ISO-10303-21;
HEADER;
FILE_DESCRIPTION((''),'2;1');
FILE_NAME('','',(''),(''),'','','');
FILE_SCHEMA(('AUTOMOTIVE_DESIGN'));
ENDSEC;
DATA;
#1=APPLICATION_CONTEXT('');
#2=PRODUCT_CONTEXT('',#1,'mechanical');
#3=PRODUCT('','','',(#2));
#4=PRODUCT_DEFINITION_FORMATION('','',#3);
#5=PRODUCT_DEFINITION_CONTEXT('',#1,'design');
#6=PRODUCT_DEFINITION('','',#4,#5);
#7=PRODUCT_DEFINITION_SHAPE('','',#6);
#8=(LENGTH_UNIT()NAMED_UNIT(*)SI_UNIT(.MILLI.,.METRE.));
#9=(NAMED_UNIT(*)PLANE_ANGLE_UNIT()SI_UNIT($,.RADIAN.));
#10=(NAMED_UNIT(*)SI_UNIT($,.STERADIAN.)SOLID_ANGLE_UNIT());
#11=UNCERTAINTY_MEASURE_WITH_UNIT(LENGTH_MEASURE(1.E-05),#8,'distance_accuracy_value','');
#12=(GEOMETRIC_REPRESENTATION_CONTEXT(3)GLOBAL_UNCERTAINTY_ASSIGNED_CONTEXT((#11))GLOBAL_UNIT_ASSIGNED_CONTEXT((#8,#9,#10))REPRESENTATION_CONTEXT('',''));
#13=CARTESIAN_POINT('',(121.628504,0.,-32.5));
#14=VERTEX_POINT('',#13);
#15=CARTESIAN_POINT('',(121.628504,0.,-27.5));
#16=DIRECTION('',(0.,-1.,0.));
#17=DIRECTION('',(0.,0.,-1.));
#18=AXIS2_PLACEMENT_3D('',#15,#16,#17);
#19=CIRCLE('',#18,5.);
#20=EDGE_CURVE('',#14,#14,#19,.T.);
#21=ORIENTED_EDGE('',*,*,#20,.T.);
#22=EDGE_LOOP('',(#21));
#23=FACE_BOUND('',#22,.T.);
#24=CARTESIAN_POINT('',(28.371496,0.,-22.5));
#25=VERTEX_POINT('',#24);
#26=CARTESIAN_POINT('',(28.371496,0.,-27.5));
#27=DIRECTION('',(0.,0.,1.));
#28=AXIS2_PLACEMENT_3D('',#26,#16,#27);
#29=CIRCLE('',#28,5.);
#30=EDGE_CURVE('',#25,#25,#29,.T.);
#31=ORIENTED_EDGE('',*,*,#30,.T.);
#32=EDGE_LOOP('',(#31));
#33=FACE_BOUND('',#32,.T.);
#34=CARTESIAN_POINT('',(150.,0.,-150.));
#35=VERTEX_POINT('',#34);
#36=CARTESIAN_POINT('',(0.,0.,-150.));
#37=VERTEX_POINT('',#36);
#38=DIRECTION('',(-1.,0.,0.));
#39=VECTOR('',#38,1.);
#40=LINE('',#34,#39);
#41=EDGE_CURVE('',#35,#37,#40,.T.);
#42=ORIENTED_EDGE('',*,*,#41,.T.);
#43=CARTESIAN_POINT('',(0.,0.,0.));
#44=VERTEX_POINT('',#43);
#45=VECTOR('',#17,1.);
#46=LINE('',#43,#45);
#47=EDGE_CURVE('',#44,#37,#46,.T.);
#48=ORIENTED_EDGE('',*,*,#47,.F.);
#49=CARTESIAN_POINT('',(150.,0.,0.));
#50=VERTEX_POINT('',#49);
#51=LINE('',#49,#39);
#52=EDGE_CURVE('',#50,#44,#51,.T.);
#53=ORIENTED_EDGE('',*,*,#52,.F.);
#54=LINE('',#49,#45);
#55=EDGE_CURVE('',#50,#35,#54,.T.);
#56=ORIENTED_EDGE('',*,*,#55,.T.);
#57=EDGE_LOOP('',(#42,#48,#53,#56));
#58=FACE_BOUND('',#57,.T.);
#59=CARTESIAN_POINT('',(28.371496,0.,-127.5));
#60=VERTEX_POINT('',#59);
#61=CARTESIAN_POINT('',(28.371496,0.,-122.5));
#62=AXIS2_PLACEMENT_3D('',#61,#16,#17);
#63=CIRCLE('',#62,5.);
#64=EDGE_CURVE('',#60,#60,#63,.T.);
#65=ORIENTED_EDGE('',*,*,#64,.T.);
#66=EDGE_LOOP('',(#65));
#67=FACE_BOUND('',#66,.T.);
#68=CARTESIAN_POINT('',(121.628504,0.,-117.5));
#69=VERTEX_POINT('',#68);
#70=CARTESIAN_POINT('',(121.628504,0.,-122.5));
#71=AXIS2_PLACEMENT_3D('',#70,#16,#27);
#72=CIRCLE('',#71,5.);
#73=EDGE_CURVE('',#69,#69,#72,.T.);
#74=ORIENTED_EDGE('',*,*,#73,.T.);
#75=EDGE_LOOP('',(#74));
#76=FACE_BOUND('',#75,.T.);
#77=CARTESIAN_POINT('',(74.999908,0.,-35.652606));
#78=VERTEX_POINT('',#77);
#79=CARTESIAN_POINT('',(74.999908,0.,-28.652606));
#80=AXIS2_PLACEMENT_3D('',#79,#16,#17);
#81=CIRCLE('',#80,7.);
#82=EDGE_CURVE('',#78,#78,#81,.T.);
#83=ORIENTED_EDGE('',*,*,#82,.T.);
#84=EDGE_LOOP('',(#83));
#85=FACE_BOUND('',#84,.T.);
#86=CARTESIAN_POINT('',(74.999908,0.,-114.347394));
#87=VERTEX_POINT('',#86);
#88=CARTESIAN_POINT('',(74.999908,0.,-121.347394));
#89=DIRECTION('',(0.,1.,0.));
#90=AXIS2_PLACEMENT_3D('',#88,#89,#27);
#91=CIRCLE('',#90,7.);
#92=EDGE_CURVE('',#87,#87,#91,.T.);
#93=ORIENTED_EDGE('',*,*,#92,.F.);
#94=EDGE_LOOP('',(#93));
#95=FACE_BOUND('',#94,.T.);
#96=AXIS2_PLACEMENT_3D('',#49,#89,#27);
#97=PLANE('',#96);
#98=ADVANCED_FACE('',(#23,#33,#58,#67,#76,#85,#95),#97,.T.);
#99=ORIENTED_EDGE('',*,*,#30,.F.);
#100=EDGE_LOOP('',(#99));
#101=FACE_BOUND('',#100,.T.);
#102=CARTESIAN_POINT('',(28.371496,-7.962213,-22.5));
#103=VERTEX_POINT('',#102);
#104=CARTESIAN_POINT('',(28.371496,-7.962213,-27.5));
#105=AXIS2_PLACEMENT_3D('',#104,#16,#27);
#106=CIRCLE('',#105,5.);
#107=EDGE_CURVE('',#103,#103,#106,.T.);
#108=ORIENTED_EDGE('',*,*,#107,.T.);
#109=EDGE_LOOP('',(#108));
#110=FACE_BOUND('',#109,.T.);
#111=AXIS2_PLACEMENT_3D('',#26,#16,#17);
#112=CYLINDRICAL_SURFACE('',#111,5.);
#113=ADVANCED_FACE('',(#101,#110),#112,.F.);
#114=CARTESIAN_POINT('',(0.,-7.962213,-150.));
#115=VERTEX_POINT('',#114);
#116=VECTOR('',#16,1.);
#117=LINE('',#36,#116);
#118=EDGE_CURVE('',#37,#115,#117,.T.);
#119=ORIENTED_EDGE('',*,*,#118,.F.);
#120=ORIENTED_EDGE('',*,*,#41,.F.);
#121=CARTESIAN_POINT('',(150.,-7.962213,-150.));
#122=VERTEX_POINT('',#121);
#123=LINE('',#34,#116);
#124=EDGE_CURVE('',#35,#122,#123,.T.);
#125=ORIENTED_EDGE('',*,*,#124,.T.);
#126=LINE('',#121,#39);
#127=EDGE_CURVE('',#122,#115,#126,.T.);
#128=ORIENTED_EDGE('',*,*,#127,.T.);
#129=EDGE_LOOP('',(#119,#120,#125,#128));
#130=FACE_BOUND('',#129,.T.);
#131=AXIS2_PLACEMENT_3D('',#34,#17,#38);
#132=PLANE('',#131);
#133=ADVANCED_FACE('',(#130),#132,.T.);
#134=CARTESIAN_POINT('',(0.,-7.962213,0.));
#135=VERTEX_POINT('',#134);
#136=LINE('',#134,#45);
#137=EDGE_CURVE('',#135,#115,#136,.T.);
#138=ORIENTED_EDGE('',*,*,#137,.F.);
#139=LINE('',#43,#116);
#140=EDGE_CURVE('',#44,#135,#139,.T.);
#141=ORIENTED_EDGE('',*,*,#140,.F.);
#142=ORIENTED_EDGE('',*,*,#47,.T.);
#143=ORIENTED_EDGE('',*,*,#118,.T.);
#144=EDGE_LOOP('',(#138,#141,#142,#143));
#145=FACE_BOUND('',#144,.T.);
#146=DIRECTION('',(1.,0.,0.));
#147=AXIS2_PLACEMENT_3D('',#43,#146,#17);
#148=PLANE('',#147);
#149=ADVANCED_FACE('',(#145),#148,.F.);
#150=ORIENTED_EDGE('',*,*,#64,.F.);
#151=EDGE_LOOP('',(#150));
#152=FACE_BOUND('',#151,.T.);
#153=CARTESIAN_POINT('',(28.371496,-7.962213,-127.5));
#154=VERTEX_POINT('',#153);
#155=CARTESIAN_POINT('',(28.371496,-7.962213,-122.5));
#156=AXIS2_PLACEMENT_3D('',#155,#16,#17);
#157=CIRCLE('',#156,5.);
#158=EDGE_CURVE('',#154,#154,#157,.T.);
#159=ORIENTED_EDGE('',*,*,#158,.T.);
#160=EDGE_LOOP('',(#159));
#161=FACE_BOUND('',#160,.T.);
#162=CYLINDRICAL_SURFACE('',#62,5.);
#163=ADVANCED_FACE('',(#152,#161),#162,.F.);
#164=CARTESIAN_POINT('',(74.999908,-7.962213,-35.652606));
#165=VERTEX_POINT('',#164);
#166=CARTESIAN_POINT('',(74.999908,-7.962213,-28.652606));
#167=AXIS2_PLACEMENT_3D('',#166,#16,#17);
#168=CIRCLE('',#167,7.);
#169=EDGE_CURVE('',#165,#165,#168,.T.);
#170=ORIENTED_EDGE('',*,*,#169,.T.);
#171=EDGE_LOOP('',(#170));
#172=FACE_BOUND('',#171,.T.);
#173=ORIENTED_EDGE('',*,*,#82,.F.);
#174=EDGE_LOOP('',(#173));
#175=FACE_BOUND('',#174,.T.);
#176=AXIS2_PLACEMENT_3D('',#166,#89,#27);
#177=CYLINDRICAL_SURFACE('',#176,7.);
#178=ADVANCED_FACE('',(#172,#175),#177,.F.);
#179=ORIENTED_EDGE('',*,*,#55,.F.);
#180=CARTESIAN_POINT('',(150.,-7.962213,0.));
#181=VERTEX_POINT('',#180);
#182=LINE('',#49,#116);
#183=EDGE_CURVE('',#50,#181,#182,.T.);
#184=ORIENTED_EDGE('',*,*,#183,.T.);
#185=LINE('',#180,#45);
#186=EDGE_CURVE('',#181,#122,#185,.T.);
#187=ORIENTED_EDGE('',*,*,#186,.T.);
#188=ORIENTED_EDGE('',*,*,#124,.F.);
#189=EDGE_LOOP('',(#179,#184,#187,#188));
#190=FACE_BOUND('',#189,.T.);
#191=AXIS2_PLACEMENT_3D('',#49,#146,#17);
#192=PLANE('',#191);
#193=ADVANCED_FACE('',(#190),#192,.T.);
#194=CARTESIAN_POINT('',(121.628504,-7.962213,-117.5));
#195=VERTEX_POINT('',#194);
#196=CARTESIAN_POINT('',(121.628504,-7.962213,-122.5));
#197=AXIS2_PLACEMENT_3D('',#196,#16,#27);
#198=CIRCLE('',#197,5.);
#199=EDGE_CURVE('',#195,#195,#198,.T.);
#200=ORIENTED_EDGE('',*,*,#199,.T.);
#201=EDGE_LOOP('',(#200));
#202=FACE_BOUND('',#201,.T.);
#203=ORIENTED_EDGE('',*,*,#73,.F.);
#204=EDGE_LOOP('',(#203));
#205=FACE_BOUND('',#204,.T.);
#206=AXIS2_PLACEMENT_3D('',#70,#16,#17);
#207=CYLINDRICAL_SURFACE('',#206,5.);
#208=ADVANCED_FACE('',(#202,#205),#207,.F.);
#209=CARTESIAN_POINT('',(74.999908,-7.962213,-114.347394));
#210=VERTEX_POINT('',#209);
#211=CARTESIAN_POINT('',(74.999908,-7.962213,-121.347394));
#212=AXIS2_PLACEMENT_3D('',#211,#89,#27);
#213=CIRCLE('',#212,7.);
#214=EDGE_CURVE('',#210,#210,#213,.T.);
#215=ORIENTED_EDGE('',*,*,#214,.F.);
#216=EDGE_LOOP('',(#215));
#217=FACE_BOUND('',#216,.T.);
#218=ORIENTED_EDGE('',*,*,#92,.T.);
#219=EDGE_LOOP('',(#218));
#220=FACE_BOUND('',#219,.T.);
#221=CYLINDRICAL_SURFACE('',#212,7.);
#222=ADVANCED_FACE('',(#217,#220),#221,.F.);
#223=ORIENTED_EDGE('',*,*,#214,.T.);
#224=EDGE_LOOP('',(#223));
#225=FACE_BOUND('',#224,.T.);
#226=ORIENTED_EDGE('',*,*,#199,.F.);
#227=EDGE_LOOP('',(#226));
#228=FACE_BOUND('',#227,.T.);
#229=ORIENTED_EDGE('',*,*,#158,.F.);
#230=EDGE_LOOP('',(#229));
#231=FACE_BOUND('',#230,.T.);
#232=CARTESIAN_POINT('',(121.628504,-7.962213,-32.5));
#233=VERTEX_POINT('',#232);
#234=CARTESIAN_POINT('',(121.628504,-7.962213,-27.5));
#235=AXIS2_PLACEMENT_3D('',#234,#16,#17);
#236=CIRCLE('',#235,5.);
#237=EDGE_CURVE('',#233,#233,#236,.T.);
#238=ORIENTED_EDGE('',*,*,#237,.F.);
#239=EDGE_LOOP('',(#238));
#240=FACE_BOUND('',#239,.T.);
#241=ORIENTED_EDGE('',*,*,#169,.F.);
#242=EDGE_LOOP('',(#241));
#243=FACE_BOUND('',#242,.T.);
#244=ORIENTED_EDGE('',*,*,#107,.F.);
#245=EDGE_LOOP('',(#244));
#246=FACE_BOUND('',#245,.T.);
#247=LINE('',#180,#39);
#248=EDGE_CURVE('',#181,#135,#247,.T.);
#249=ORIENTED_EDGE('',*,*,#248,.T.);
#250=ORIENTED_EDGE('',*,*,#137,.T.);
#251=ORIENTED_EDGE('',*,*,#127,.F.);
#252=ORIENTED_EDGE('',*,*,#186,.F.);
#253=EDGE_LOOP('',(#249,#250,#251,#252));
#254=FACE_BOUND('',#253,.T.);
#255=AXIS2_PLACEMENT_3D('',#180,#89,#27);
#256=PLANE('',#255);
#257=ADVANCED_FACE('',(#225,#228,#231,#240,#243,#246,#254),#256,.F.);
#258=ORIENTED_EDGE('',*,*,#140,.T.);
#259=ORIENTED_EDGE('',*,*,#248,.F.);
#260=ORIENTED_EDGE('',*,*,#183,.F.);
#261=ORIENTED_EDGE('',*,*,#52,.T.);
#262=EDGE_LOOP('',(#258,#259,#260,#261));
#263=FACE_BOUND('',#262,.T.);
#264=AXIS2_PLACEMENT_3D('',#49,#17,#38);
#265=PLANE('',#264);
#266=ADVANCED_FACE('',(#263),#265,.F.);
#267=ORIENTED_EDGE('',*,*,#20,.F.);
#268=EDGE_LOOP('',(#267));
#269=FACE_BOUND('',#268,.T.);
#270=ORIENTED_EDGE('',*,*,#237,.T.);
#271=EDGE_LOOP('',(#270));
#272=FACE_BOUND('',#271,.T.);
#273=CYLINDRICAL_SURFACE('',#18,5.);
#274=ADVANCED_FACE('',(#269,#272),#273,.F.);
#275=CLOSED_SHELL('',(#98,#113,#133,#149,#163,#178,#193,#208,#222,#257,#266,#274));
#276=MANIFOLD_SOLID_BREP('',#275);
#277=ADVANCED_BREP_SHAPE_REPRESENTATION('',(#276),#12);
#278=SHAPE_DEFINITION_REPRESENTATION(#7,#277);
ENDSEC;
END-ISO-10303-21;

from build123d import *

# Parameters (mm, degrees)
SKETCH1_W           = 150
SKETCH1_H           = 7.962213225
BOSS_EXTRUDE1_DEPTH = 150
SKETCH2_R           = 7
CUT_EXTRUDE1_DEPTH  = 8.962213225
SKETCH3_R           = 5
CUT_EXTRUDE2_DEPTH  = 8.962213225


with BuildPart() as part:
    # Sketch1 → Boss-Extrude1 (new body)
    with BuildSketch(Plane(origin=(0, 0, 0), x_dir=(0, 0, -1), z_dir=(1, 0, 0))):
        with Locations((75, -3.981106613)):
            Rectangle(SKETCH1_W, SKETCH1_H)
    extrude(amount=BOSS_EXTRUDE1_DEPTH)

    # Sketch2 → Cut-Extrude1 (cut, through all)
    with BuildSketch(Plane(origin=(0, 0, 0), x_dir=(1, 0, 0), z_dir=(0, 1, 0))):
        with Locations((74.999907539, 121.3473939)):
            Circle(SKETCH2_R)
        with Locations((74.999907539, 28.6526061)):
            Circle(SKETCH2_R)
    extrude(amount=-CUT_EXTRUDE1_DEPTH, mode=Mode.SUBTRACT)

    # Sketch3 → Cut-Extrude2 (cut, through all)
    with BuildSketch(Plane.XZ.offset(7.962213225)):
        with Locations((28.371496461, -122.5)):
            Circle(SKETCH3_R)
        with Locations((28.371496461, -27.5)):
            Circle(SKETCH3_R)
        with Locations((121.628503539, -27.5)):
            Circle(SKETCH3_R)
        with Locations((121.628503539, -122.5)):
            Circle(SKETCH3_R)
    extrude(amount=-CUT_EXTRUDE2_DEPTH, mode=Mode.SUBTRACT)


solid = part.part
